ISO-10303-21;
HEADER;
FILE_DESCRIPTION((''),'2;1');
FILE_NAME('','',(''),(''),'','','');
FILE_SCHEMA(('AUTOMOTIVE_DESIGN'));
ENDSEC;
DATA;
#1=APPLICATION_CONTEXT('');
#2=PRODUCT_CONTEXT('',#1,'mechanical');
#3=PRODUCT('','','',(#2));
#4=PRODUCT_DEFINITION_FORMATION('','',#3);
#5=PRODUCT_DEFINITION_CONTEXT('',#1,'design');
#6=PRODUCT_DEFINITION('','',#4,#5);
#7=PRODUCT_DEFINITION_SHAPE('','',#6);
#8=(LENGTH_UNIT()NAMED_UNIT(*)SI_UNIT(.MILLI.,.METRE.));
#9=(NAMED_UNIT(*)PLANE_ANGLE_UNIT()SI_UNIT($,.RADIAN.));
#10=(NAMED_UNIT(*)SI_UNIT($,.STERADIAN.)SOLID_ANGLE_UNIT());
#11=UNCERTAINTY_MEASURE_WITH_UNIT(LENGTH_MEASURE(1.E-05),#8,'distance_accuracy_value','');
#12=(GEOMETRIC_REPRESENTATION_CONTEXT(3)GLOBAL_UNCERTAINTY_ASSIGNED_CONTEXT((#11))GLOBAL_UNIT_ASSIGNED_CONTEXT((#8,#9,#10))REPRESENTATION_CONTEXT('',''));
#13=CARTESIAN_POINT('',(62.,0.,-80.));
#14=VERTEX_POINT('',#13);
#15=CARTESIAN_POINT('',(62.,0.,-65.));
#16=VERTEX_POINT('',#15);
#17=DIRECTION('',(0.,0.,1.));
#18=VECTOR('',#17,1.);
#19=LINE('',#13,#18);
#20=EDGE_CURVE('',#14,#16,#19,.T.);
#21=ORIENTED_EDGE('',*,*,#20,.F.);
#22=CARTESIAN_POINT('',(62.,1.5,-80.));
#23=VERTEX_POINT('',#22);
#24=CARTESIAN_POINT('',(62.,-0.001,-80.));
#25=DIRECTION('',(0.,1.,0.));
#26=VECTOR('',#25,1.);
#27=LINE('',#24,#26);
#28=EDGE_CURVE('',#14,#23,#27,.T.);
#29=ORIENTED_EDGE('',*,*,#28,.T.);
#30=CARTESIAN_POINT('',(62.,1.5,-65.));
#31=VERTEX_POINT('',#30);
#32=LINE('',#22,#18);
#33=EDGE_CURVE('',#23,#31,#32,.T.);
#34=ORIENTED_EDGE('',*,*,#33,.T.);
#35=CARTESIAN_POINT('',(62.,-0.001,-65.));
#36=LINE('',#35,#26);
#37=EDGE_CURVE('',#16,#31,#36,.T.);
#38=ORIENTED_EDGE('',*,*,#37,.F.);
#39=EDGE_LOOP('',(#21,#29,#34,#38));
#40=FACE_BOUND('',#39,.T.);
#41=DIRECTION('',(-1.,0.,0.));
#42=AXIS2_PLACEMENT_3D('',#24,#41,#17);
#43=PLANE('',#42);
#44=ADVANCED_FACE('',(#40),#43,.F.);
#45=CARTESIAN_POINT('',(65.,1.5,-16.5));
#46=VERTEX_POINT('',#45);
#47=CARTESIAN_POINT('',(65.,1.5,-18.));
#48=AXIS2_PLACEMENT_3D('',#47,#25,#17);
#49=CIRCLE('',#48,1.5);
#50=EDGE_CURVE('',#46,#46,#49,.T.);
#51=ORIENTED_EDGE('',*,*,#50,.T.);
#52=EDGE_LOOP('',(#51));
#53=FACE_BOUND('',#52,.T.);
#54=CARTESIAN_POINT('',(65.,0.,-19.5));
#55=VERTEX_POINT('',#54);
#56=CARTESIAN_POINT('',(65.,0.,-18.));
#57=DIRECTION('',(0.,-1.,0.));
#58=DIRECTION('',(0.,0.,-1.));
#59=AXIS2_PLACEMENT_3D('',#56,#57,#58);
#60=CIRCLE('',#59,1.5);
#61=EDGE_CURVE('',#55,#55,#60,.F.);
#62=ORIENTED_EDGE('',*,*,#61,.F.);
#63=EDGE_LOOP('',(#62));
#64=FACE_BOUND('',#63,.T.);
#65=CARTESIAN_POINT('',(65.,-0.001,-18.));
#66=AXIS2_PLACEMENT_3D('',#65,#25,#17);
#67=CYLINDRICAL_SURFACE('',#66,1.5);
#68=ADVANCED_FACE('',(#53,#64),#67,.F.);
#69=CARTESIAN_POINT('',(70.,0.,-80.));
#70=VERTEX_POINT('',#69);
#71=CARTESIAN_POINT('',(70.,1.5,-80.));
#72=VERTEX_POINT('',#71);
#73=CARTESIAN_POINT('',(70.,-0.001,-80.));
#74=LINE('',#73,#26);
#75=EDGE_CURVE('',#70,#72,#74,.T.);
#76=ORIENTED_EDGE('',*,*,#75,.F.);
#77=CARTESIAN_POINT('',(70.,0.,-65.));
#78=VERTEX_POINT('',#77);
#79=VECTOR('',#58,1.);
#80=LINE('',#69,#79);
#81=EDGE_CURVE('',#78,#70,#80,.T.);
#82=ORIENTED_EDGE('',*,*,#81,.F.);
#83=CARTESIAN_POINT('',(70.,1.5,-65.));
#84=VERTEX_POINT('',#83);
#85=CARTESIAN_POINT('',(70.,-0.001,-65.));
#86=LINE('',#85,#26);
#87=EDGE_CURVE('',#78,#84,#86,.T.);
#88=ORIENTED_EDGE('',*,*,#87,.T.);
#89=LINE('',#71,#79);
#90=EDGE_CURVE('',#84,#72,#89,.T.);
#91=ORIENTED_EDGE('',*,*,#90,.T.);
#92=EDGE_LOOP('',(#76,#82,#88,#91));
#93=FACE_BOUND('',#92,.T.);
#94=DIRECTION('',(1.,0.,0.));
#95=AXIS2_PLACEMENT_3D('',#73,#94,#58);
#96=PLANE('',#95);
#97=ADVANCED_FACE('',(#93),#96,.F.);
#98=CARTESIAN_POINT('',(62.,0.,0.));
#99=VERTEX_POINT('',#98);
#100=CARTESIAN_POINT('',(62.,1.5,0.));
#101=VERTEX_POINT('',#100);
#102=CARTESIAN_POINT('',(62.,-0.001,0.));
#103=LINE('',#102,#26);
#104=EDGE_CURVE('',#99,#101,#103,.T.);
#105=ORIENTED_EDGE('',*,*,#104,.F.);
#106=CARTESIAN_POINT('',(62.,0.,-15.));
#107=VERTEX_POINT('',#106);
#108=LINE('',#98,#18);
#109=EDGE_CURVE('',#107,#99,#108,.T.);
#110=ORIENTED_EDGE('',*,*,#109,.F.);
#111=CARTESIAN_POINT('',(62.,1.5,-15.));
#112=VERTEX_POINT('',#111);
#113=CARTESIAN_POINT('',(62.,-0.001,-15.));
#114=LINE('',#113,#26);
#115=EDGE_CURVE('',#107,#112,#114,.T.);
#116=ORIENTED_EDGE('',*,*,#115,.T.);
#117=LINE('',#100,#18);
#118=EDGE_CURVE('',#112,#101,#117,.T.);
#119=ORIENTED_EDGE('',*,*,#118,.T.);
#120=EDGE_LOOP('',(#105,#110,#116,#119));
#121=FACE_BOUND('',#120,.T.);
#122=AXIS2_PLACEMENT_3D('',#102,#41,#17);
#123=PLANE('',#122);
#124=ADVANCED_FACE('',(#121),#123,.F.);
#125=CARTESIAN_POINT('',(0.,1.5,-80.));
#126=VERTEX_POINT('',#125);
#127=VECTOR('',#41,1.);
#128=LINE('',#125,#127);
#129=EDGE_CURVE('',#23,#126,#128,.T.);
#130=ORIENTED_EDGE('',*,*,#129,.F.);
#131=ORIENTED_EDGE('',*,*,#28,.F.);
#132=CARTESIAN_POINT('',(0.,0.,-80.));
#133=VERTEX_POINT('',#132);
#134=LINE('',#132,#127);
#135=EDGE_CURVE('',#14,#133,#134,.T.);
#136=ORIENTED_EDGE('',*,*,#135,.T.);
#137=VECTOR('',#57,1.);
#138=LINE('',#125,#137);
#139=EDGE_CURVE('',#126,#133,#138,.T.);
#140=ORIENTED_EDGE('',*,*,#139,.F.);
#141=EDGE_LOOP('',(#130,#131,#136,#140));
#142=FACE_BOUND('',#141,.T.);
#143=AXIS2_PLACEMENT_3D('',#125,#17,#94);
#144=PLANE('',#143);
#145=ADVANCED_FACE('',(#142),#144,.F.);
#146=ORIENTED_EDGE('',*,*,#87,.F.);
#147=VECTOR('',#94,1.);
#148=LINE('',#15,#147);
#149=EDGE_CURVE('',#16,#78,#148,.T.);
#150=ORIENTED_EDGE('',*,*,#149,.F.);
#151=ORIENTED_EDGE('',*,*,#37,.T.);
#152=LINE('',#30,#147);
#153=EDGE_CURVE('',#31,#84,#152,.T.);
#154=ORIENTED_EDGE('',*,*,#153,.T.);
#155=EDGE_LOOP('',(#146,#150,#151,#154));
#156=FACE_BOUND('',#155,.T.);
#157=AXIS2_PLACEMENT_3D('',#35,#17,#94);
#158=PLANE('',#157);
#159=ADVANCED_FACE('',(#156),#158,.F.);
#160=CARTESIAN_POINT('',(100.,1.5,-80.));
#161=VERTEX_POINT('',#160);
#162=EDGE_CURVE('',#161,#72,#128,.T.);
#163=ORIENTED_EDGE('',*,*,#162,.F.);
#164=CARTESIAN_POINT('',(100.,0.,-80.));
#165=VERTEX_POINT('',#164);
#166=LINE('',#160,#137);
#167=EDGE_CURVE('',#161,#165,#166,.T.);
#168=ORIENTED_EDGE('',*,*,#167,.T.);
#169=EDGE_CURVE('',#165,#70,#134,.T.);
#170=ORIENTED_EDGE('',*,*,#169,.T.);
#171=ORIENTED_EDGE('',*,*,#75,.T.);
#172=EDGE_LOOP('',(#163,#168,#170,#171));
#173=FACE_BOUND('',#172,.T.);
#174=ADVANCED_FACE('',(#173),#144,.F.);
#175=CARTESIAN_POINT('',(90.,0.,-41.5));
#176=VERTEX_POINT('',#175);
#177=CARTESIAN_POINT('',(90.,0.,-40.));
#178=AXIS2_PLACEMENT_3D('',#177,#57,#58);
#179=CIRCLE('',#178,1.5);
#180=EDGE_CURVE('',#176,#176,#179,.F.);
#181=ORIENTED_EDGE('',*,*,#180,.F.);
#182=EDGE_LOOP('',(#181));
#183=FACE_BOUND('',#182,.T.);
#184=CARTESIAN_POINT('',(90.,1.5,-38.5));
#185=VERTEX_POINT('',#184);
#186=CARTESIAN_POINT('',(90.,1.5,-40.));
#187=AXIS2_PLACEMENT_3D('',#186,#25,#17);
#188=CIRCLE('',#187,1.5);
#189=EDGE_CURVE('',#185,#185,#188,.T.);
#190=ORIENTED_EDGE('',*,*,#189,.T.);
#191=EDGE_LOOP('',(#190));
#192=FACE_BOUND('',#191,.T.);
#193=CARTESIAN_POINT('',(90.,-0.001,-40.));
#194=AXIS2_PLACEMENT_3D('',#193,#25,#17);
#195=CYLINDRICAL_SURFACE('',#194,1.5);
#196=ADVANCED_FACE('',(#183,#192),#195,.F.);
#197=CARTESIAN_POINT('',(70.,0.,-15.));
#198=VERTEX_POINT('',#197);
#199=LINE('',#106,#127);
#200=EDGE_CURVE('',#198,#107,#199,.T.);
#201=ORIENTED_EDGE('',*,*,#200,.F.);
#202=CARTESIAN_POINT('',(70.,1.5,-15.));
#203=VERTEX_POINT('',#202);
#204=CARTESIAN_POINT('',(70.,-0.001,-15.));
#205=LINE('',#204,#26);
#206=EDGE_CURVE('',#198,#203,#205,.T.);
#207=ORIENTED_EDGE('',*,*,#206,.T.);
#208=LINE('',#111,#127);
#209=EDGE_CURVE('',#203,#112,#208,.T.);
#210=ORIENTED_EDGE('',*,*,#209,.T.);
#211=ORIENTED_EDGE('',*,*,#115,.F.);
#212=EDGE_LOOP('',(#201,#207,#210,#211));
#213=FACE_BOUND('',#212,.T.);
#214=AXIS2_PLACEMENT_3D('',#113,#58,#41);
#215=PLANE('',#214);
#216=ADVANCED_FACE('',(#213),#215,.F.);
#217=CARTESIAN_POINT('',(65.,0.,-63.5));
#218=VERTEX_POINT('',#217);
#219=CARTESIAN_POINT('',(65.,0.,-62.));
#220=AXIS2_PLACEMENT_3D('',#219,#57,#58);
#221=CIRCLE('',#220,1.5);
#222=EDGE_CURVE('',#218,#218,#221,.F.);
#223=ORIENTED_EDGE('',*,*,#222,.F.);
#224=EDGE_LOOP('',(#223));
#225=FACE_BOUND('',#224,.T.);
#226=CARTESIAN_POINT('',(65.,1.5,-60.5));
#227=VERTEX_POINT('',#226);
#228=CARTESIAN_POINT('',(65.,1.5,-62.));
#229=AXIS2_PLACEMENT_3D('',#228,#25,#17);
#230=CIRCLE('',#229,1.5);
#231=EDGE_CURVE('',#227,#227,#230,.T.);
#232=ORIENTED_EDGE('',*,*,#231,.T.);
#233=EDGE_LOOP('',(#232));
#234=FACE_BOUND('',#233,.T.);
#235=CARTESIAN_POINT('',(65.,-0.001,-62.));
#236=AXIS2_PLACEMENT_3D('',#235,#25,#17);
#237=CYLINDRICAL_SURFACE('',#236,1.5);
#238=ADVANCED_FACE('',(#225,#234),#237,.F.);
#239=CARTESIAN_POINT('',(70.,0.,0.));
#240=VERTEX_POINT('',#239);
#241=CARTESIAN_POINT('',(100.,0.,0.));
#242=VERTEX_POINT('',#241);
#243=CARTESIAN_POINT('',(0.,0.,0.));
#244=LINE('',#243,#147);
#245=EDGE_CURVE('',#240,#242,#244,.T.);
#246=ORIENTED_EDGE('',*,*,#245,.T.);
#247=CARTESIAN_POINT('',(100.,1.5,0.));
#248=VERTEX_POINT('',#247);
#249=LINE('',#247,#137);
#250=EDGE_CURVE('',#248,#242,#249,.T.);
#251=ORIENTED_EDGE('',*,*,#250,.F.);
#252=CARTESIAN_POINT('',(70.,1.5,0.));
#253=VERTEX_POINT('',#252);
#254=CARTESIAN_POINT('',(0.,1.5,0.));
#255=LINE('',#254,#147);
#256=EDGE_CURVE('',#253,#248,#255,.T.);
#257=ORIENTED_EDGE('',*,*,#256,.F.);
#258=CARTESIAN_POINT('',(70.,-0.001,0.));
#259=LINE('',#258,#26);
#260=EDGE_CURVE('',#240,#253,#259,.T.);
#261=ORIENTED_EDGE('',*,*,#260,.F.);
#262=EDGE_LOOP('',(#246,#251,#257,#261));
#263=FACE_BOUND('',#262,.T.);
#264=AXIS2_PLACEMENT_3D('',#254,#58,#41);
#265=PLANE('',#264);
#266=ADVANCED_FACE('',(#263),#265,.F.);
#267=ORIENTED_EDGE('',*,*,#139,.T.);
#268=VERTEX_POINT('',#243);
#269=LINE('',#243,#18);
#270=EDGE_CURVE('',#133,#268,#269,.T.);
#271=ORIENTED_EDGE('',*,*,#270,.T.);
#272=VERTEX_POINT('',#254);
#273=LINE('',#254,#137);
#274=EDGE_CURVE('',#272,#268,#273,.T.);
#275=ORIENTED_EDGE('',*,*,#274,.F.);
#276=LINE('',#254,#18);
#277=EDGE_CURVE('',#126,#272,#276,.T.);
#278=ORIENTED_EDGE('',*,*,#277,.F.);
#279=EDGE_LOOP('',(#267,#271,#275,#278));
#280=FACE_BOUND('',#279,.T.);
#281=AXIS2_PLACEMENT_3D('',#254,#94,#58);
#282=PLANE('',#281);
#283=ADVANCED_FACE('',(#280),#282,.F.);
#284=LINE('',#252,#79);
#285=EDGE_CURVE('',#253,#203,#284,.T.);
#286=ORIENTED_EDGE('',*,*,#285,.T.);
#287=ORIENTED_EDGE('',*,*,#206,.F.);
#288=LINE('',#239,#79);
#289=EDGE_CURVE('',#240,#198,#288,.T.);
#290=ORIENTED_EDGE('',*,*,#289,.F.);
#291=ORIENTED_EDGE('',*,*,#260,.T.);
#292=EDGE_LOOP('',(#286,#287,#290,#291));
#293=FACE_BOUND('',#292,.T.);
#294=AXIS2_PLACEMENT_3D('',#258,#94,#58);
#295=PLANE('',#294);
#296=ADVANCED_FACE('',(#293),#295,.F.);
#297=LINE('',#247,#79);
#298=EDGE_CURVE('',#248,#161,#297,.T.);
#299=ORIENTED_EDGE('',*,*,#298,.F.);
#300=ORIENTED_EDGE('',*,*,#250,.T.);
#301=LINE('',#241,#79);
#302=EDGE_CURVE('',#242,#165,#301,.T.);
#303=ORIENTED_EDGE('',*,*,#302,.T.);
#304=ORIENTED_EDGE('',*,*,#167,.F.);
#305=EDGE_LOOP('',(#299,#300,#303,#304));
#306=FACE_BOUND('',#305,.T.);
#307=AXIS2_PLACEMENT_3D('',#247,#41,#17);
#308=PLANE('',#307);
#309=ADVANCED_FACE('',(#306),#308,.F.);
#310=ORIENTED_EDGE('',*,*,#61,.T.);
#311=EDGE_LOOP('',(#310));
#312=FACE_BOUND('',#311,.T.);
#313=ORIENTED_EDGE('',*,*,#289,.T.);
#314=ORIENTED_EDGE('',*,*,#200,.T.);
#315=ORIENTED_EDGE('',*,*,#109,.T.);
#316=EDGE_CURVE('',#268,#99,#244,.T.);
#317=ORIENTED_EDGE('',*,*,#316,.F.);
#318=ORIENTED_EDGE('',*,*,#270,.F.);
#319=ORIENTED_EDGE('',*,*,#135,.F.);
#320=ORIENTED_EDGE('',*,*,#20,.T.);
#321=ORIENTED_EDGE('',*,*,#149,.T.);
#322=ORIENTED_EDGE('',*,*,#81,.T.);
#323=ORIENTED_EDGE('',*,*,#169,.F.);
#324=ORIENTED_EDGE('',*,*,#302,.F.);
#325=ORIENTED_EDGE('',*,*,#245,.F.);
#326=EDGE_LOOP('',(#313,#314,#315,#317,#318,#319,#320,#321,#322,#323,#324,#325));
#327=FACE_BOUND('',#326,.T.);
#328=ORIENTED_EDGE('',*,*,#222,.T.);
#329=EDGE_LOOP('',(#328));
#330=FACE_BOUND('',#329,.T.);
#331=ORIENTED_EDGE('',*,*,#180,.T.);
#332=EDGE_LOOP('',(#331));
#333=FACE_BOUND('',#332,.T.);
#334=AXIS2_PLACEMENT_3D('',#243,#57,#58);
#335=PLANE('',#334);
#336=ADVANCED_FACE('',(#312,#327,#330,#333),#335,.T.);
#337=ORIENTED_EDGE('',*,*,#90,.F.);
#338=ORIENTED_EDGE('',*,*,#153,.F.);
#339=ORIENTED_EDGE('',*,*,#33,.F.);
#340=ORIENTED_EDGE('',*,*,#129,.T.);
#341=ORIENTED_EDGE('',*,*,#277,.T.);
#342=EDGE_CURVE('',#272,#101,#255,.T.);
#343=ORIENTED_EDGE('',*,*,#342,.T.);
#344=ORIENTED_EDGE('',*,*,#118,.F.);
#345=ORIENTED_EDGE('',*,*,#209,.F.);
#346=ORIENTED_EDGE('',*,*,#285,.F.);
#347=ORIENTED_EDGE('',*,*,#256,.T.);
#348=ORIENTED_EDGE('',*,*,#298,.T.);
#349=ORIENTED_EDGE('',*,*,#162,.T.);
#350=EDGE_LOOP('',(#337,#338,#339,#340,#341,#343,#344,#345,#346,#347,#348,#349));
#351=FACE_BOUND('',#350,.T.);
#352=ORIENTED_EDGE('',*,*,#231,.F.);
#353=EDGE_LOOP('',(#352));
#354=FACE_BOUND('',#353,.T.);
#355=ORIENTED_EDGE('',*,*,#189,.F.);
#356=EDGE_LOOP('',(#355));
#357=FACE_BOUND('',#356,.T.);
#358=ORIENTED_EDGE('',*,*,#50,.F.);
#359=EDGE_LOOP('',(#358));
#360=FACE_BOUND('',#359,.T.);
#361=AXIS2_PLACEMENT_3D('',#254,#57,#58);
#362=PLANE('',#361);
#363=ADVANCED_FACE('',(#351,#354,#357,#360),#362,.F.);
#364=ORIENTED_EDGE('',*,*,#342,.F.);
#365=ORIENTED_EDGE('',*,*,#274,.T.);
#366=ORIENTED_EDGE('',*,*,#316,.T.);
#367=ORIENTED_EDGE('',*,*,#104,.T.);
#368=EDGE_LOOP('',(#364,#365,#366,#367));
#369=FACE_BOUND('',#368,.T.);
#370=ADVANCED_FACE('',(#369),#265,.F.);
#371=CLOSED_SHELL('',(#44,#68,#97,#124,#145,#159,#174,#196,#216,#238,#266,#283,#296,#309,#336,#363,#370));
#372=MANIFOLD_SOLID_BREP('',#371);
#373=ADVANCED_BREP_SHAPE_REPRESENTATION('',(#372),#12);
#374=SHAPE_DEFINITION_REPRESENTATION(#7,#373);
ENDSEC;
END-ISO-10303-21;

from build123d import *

# Parameters (mm, degrees)
SKETCH1_W           = 100
SKETCH1_H           = 80
BOSS_EXTRUDE1_DEPTH = 1.5
CUT_EXTRUDE1_REACH  = 3.5
SKETCH2_W           = 8
SKETCH2_H           = 15
CUT_EXTRUDE2_REACH  = 3.5
SKETCH3_R           = 1.5


with BuildPart() as part:
    # Sketch1 → Boss-Extrude1 (new body)
    with BuildSketch(Plane(origin=(0, 0, 0), x_dir=(1, 0, 0), z_dir=(0, 1, 0))):
        with Locations((50, 40)):
            Rectangle(SKETCH1_W, SKETCH1_H)
    extrude(amount=BOSS_EXTRUDE1_DEPTH)

    # Sketch2 → Cut-Extrude1 (cut, up to next)
    with BuildSketch(Plane(origin=(0, 1.5, 0), x_dir=(1, 0, 0), z_dir=(0, 1, 0)), mode=Mode.PRIVATE) as cut_extrude1_sk1:
        with Locations((66, 72.5)):
            Rectangle(SKETCH2_W, SKETCH2_H)
    cut_extrude1_tool1 = extrude(cut_extrude1_sk1.sketch, amount=-CUT_EXTRUDE1_REACH, mode=Mode.PRIVATE) & part.part
    add(cut_extrude1_tool1.solids().sort_by_distance((66, 1.5, -72.5))[0], mode=Mode.SUBTRACT)
    # Sketch2 → Cut-Extrude1 (cut, up to next)
    with BuildSketch(Plane(origin=(0, 1.5, 0), x_dir=(1, 0, 0), z_dir=(0, 1, 0)), mode=Mode.PRIVATE) as cut_extrude1_sk2:
        with Locations((66, 7.5)):
            Rectangle(SKETCH2_W, SKETCH2_H)
    cut_extrude1_tool2 = extrude(cut_extrude1_sk2.sketch, amount=-CUT_EXTRUDE1_REACH, mode=Mode.PRIVATE) & part.part
    add(cut_extrude1_tool2.solids().sort_by_distance((66, 1.5, -7.5))[0], mode=Mode.SUBTRACT)

    # Sketch3 → Cut-Extrude2 (cut, up to next)
    with BuildSketch(Plane(origin=(0, 1.5, 0), x_dir=(1, 0, 0), z_dir=(0, 1, 0)), mode=Mode.PRIVATE) as cut_extrude2_sk1:
        with Locations((65, 62)):
            Circle(SKETCH3_R)
    cut_extrude2_tool1 = extrude(cut_extrude2_sk1.sketch, amount=-CUT_EXTRUDE2_REACH, mode=Mode.PRIVATE) & part.part
    add(cut_extrude2_tool1.solids().sort_by_distance((65, 1.5, -62))[0], mode=Mode.SUBTRACT)
    # Sketch3 → Cut-Extrude2 (cut, up to next)
    with BuildSketch(Plane(origin=(0, 1.5, 0), x_dir=(1, 0, 0), z_dir=(0, 1, 0)), mode=Mode.PRIVATE) as cut_extrude2_sk2:
        with Locations((90, 40)):
            Circle(SKETCH3_R)
    cut_extrude2_tool2 = extrude(cut_extrude2_sk2.sketch, amount=-CUT_EXTRUDE2_REACH, mode=Mode.PRIVATE) & part.part
    add(cut_extrude2_tool2.solids().sort_by_distance((90, 1.5, -40))[0], mode=Mode.SUBTRACT)
    # Sketch3 → Cut-Extrude2 (cut, up to next)
    with BuildSketch(Plane(origin=(0, 1.5, 0), x_dir=(1, 0, 0), z_dir=(0, 1, 0)), mode=Mode.PRIVATE) as cut_extrude2_sk3:
        with Locations((65, 18)):
            Circle(SKETCH3_R)
    cut_extrude2_tool3 = extrude(cut_extrude2_sk3.sketch, amount=-CUT_EXTRUDE2_REACH, mode=Mode.PRIVATE) & part.part
    add(cut_extrude2_tool3.solids().sort_by_distance((65, 1.5, -18))[0], mode=Mode.SUBTRACT)


solid = part.part
